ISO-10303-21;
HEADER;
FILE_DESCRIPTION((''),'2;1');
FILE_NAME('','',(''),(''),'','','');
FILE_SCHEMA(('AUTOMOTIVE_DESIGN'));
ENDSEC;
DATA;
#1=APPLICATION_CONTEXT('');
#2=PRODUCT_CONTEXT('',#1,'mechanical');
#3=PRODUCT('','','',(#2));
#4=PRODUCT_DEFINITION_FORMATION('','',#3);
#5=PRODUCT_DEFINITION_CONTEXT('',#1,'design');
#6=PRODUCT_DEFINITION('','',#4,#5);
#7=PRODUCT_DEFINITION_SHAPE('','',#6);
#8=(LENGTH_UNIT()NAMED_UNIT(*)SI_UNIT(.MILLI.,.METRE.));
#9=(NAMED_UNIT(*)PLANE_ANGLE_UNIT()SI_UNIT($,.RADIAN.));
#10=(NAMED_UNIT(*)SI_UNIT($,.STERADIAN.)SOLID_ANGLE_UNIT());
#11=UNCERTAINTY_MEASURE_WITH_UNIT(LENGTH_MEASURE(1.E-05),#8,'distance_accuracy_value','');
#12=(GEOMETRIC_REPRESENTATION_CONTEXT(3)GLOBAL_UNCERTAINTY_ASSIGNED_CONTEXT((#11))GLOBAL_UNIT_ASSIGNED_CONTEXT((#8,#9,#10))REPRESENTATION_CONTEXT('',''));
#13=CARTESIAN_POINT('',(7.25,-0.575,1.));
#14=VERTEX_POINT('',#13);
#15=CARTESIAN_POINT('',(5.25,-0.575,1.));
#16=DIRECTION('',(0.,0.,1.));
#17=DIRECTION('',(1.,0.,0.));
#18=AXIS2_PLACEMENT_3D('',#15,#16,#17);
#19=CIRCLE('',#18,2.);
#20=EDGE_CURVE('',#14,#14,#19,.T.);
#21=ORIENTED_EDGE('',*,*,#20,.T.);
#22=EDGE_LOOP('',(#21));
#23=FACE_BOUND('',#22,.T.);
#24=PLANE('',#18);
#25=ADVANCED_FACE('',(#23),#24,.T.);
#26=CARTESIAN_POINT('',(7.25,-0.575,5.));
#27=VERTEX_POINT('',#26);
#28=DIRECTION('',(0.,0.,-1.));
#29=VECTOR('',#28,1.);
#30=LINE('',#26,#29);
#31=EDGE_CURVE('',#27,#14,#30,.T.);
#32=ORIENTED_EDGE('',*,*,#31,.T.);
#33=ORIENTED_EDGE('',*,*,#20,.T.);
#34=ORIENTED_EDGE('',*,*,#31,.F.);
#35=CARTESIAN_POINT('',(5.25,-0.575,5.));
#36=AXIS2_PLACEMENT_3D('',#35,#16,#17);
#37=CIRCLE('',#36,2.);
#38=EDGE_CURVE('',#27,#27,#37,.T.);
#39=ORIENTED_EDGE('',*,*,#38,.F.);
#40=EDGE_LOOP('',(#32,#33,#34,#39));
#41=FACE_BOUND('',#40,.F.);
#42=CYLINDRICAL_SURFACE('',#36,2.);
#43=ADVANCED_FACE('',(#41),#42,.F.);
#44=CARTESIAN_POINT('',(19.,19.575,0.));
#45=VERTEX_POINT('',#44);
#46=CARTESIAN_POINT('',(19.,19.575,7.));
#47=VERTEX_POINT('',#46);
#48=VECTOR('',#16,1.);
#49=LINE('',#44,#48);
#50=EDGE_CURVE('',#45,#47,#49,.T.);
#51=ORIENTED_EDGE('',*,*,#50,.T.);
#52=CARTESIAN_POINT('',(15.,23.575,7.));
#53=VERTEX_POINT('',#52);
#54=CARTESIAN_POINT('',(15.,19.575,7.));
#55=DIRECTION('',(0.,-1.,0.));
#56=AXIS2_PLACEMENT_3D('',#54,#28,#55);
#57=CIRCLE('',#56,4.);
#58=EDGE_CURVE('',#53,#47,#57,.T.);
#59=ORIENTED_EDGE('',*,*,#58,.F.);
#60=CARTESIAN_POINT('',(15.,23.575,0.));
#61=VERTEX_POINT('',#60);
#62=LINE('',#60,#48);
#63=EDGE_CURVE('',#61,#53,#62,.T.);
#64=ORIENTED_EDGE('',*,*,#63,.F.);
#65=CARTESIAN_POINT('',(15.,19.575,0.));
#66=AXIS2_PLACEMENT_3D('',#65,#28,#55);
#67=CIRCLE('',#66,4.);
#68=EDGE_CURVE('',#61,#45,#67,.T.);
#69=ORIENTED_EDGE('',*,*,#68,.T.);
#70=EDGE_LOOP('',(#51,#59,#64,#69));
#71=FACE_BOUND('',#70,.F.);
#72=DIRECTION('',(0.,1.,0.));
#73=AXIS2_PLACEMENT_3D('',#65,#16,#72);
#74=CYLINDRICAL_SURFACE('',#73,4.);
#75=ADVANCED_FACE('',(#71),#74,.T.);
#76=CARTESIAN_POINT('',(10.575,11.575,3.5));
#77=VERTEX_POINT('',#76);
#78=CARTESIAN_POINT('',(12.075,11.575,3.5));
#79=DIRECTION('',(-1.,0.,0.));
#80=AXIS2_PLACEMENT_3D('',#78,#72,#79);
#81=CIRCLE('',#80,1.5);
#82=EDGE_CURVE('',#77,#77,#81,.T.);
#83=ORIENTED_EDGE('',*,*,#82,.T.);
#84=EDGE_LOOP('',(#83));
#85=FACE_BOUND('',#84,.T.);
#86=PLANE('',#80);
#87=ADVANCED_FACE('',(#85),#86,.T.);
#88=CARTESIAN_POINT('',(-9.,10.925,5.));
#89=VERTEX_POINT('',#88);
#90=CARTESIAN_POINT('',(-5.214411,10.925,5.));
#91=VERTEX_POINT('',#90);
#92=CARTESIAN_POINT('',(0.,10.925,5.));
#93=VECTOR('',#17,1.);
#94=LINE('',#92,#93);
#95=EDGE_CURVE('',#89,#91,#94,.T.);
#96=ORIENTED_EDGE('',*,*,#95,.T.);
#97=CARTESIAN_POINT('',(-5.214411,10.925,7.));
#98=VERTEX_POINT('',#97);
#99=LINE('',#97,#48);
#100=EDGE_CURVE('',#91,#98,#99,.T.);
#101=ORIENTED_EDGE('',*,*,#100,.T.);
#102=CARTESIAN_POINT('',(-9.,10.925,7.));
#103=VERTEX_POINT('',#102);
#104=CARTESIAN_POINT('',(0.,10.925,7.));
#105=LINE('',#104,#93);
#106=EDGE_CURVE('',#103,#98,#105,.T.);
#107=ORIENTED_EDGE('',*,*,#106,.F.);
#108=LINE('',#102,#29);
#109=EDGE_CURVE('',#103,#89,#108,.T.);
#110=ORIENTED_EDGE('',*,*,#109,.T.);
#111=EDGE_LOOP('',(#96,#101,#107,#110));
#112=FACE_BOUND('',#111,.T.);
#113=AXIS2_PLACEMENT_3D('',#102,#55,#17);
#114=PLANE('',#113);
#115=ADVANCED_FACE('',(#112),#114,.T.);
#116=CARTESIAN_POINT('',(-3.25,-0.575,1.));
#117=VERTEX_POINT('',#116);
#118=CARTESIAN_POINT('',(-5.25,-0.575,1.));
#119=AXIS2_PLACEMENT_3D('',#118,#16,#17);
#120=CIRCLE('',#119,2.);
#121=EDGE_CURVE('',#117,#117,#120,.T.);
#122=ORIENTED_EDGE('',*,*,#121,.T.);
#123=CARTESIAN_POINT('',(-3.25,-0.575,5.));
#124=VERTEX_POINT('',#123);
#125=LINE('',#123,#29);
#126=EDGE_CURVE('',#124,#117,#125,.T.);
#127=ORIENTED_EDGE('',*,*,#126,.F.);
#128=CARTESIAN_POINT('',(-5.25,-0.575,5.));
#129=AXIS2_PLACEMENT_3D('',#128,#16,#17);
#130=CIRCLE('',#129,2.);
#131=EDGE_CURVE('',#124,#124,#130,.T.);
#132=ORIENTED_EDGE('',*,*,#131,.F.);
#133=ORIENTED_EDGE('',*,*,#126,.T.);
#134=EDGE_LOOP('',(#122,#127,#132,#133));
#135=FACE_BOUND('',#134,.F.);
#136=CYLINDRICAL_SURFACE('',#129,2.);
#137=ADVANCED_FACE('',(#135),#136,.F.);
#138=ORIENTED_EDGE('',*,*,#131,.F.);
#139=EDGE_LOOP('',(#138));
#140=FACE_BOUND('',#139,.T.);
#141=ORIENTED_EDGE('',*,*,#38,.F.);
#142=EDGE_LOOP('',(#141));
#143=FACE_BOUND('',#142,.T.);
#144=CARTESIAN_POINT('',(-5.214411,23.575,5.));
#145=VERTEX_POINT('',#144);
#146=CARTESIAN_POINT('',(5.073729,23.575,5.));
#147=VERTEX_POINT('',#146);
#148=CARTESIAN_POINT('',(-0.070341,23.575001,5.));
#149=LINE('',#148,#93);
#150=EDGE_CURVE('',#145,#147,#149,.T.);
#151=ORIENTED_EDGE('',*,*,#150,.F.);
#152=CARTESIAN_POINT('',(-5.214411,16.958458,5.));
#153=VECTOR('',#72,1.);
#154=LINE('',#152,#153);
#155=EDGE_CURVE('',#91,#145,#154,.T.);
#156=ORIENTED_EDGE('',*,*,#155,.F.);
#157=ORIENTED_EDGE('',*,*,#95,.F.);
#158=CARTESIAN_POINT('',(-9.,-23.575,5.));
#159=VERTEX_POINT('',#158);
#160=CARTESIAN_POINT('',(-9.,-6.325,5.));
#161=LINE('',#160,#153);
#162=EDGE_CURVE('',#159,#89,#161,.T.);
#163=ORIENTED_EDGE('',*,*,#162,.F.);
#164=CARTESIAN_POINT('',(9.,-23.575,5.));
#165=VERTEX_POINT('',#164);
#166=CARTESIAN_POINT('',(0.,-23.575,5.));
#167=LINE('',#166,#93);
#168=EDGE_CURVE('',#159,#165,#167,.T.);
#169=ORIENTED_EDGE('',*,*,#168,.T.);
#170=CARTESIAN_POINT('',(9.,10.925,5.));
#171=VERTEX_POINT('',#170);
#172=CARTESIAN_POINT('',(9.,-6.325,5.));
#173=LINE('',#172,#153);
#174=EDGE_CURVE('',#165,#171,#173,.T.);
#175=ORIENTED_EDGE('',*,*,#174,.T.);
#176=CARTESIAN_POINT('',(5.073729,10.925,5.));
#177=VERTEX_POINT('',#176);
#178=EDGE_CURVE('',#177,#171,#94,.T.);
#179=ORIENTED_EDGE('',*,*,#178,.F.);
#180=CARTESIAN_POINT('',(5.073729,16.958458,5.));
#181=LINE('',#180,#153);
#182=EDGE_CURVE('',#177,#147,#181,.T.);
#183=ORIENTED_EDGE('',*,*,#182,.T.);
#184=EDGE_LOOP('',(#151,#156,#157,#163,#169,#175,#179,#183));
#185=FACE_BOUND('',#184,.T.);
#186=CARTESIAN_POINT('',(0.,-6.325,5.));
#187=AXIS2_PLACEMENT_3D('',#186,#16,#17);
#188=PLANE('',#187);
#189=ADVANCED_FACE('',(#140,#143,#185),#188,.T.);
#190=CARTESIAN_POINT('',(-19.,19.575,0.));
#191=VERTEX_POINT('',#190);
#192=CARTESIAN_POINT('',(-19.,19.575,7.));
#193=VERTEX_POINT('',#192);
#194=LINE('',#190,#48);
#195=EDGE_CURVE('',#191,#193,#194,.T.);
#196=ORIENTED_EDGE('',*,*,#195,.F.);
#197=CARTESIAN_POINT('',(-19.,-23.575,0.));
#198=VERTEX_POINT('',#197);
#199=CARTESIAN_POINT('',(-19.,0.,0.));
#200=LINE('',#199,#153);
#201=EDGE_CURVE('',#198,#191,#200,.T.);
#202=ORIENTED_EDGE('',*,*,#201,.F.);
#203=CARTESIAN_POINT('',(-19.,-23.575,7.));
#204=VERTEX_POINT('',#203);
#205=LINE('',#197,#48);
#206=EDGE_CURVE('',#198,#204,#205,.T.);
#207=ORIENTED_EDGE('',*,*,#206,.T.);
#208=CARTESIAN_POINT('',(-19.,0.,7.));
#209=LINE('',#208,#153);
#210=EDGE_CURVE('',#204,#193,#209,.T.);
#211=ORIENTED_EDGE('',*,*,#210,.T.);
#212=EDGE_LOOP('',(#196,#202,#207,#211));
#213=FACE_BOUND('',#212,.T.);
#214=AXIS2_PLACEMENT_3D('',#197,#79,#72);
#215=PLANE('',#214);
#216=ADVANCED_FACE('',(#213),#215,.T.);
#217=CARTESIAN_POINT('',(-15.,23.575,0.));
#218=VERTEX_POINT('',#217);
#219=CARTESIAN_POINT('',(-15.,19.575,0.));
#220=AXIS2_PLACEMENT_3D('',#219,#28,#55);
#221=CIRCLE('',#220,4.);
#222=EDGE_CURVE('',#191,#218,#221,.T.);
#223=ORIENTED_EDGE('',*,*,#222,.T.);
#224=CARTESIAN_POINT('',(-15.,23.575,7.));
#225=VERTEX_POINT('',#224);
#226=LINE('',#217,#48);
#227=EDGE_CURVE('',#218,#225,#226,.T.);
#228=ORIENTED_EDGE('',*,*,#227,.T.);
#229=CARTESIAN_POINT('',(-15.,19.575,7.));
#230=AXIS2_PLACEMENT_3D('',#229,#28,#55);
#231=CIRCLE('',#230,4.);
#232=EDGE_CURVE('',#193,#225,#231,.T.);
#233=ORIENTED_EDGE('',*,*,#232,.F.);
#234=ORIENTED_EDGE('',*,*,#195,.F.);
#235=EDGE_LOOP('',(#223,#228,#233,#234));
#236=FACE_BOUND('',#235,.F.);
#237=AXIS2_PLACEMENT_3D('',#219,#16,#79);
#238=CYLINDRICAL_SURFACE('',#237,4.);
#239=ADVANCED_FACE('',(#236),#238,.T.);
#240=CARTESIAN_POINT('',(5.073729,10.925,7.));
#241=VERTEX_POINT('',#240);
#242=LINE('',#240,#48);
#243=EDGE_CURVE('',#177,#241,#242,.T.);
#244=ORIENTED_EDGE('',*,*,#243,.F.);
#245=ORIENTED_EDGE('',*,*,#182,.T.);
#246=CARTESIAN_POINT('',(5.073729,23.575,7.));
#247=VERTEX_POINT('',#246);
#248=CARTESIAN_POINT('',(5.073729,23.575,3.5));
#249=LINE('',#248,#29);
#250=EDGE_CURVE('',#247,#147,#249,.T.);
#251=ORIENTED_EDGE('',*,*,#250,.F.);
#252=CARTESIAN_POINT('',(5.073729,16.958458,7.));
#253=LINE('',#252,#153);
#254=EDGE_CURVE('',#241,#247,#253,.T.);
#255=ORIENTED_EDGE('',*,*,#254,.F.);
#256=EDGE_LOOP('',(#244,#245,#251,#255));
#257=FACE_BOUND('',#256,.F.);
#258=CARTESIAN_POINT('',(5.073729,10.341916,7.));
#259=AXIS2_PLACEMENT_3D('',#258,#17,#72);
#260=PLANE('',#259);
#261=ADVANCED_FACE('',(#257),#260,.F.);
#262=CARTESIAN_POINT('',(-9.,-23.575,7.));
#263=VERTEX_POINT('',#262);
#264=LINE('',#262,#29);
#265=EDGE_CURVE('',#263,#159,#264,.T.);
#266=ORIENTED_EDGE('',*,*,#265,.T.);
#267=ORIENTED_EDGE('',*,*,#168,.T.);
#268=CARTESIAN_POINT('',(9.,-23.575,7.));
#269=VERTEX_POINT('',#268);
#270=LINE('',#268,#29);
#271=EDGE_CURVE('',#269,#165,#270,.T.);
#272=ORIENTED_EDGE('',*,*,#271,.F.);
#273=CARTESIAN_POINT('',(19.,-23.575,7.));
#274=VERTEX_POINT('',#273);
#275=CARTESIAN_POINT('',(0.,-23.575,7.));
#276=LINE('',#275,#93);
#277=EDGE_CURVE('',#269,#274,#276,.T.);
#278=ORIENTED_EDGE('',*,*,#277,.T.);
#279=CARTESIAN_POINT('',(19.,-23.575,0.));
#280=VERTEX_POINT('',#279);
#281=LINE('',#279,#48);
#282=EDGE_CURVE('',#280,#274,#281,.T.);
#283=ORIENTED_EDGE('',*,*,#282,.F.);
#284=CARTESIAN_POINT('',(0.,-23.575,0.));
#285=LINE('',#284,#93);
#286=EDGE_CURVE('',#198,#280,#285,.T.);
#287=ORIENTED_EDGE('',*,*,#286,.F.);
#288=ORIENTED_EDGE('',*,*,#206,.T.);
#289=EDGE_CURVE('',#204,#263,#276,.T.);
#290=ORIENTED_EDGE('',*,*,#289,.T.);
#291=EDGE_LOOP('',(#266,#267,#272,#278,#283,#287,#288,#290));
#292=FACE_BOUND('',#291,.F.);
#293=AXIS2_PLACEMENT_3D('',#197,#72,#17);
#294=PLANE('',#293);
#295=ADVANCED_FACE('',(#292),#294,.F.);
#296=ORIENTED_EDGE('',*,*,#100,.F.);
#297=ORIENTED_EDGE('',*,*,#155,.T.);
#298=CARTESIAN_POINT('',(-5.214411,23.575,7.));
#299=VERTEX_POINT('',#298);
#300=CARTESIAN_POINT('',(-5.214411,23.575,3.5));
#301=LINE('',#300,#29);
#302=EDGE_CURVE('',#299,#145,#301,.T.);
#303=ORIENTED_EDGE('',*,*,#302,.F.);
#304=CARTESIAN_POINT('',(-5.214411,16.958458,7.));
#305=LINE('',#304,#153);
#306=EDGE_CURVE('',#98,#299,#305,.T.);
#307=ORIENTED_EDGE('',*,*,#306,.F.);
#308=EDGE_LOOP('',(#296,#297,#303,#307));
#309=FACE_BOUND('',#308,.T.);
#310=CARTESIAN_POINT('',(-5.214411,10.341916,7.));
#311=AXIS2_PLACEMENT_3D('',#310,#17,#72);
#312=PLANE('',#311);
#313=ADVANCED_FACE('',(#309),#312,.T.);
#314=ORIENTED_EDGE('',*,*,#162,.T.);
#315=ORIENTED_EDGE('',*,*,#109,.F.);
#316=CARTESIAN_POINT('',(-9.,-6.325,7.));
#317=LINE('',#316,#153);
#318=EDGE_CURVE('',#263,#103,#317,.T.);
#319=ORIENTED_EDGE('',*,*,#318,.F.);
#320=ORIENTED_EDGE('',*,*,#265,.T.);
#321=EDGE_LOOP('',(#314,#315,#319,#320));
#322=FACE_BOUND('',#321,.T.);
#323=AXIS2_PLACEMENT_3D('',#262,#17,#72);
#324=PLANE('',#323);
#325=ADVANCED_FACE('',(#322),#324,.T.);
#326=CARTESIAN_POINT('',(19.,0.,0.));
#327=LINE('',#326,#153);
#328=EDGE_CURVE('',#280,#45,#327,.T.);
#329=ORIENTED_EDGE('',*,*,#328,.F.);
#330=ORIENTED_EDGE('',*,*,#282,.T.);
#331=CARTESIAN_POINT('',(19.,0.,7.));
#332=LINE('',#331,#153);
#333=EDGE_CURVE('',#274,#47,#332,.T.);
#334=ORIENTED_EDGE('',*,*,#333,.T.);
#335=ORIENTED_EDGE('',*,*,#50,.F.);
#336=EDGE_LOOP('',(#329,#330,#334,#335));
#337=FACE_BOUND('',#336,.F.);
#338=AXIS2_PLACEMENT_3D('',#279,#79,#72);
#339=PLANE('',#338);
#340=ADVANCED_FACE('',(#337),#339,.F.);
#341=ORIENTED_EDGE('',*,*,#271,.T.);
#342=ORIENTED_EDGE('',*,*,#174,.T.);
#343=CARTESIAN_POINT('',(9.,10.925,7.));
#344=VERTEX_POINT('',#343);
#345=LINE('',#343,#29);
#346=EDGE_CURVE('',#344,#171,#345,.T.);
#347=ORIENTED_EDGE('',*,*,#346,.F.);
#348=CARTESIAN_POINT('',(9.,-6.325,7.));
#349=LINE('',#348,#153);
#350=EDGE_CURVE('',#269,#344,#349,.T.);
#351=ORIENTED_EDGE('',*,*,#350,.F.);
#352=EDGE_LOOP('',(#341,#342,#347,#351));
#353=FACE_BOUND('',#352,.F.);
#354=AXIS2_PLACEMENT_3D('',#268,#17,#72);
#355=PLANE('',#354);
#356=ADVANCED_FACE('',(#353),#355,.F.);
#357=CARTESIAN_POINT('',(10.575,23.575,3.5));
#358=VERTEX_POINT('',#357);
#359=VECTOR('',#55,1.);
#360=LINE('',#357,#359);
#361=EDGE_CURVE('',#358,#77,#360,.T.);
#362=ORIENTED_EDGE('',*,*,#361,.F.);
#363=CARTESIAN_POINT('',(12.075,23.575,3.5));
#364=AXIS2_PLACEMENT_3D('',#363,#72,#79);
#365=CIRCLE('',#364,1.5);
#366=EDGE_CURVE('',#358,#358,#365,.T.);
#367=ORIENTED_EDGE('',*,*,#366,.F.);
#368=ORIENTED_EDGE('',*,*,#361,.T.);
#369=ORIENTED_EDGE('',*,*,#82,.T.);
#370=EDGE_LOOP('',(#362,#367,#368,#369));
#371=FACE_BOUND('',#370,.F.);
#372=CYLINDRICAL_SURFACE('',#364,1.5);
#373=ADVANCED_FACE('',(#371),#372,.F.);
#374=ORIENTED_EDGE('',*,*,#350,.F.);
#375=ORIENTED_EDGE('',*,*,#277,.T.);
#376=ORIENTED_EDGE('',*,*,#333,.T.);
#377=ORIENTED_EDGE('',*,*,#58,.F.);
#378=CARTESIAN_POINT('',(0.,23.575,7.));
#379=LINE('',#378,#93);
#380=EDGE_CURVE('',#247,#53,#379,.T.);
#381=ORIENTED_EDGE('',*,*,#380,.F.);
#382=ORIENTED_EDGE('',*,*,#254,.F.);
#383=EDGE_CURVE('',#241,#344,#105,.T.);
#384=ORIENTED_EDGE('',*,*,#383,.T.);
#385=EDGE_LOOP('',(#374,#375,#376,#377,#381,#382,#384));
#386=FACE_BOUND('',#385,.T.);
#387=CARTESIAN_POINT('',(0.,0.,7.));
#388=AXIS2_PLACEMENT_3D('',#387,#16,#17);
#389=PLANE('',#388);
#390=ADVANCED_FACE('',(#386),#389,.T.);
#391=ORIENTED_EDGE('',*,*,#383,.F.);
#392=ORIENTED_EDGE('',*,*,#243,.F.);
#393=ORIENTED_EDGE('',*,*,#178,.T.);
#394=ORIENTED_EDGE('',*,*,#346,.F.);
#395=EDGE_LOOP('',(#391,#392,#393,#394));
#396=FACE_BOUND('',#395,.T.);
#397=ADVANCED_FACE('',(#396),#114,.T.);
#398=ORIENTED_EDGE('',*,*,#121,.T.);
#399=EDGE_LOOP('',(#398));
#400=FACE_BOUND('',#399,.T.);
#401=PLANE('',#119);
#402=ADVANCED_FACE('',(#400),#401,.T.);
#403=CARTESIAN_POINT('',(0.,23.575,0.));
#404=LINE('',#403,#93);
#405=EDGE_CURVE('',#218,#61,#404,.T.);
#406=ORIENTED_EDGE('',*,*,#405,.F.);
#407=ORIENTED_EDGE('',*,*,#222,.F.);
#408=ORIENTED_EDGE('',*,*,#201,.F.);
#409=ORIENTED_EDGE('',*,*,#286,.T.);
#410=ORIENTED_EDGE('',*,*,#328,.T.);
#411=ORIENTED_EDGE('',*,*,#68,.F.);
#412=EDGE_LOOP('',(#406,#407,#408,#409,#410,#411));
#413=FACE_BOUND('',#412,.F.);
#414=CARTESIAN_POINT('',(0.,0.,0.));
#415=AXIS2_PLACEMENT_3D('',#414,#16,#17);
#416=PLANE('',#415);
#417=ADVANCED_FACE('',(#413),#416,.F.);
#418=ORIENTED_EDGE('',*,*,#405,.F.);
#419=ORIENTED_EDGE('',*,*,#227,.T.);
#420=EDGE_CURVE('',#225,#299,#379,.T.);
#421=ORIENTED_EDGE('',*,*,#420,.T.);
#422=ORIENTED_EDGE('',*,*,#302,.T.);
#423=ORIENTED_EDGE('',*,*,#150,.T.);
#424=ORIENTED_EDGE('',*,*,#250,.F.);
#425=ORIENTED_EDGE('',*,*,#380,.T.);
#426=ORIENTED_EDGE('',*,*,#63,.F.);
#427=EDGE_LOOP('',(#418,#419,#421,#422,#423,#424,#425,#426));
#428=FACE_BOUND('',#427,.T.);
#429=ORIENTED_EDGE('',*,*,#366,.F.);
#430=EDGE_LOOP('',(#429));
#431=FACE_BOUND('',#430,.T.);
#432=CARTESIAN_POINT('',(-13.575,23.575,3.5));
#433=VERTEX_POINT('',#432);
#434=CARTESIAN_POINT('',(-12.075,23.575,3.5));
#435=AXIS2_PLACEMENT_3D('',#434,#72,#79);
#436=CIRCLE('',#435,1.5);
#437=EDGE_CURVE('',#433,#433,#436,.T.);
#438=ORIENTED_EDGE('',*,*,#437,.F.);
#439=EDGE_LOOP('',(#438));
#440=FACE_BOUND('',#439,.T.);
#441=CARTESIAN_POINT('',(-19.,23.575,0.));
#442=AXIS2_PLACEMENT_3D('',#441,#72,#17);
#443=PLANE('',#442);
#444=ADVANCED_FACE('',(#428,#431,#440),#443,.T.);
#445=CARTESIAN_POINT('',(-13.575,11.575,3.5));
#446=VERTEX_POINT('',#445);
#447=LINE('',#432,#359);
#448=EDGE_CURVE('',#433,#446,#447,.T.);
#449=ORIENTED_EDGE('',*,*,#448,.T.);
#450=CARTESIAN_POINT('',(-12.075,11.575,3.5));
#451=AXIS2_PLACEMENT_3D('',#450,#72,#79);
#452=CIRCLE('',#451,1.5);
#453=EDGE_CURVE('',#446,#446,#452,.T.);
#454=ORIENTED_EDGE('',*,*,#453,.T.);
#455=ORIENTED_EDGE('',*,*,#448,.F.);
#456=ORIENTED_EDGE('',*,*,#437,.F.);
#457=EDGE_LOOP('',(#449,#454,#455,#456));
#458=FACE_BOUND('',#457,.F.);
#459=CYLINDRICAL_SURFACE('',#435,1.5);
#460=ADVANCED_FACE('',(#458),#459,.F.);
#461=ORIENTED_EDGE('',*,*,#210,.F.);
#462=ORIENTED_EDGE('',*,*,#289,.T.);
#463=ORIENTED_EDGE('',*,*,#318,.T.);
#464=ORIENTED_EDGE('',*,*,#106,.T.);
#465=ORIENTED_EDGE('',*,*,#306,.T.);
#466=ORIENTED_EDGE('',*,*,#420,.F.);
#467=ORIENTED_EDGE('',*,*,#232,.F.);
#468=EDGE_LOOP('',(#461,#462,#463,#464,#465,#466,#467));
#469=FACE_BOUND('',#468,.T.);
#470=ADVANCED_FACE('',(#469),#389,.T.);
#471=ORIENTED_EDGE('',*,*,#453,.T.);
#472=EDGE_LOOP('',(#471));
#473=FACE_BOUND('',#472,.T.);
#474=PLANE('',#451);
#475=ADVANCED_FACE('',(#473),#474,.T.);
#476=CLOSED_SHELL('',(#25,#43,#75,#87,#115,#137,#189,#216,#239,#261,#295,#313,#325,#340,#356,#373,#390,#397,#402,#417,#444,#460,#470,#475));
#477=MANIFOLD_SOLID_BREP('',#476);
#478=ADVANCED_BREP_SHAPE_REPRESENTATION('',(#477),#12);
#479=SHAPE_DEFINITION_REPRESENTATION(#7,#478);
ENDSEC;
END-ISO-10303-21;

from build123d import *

# Parameters (mm, degrees)
SKETCH_W        = 38
SKETCH_H        = 47.15
PAD_DEPTH       = 7
SKETCH001_R     = 1.5
POCKET_DEPTH    = 12
FILLET_R        = 4
SKETCH002_W     = 18
SKETCH002_H     = 34.5
POCKET001_DEPTH = 2
SKETCH003_W     = 10.28814
SKETCH003_H     = 13.233085
POCKET002_DEPTH = 2
SKETCH004_R     = 2
POCKET003_DEPTH = 4


with BuildPart() as part:
    # Sketch → Pad (new body)
    with BuildSketch(Plane.XY):
        Rectangle(SKETCH_W, SKETCH_H)
    extrude(amount=PAD_DEPTH)

    # Sketch001 (on Face4 of Pad) → Pocket (cut)
    with BuildSketch(Plane(origin=(0, 23.575, 0), x_dir=(-1, 0, 0), z_dir=(0, 1, 0))):
        with Locations((-12.075, 3.5)):
            Circle(SKETCH001_R)
        with Locations((12.075, 3.5)):
            Circle(SKETCH001_R)
    extrude(amount=-POCKET_DEPTH, mode=Mode.SUBTRACT)

    # Fillet
    fillet_edges = [part.edges().sort_by_distance(p)[0] for p in [
        (-19, 23.575, 3.5),
        (19, 23.575, 3.5),
    ]]
    fillet(fillet_edges, radius=FILLET_R)

    # Sketch002 (on Face5 of Fillet) → Pocket001 (cut)
    with BuildSketch(Plane.XY.offset(7)):
        with Locations((0, -6.325)):
            Rectangle(SKETCH002_W, SKETCH002_H)
    extrude(amount=-POCKET001_DEPTH, mode=Mode.SUBTRACT)

    # Sketch003 (on Face5 of Pocket001) → Pocket002 (cut)
    with BuildSketch(Plane.XY.offset(7)):
        with Locations((-0.070341, 16.958458)):
            Rectangle(SKETCH003_W, SKETCH003_H)
    extrude(amount=-POCKET002_DEPTH, mode=Mode.SUBTRACT)

    # Sketch004 (on Face20 of Pocket002) → Pocket003 (cut)
    with BuildSketch(Plane.XY.offset(5)):
        with Locations((-5.25, -0.575)):
            Circle(SKETCH004_R)
        with Locations((5.25, -0.575)):
            Circle(SKETCH004_R)
    extrude(amount=-POCKET003_DEPTH, mode=Mode.SUBTRACT)


solid = part.part
